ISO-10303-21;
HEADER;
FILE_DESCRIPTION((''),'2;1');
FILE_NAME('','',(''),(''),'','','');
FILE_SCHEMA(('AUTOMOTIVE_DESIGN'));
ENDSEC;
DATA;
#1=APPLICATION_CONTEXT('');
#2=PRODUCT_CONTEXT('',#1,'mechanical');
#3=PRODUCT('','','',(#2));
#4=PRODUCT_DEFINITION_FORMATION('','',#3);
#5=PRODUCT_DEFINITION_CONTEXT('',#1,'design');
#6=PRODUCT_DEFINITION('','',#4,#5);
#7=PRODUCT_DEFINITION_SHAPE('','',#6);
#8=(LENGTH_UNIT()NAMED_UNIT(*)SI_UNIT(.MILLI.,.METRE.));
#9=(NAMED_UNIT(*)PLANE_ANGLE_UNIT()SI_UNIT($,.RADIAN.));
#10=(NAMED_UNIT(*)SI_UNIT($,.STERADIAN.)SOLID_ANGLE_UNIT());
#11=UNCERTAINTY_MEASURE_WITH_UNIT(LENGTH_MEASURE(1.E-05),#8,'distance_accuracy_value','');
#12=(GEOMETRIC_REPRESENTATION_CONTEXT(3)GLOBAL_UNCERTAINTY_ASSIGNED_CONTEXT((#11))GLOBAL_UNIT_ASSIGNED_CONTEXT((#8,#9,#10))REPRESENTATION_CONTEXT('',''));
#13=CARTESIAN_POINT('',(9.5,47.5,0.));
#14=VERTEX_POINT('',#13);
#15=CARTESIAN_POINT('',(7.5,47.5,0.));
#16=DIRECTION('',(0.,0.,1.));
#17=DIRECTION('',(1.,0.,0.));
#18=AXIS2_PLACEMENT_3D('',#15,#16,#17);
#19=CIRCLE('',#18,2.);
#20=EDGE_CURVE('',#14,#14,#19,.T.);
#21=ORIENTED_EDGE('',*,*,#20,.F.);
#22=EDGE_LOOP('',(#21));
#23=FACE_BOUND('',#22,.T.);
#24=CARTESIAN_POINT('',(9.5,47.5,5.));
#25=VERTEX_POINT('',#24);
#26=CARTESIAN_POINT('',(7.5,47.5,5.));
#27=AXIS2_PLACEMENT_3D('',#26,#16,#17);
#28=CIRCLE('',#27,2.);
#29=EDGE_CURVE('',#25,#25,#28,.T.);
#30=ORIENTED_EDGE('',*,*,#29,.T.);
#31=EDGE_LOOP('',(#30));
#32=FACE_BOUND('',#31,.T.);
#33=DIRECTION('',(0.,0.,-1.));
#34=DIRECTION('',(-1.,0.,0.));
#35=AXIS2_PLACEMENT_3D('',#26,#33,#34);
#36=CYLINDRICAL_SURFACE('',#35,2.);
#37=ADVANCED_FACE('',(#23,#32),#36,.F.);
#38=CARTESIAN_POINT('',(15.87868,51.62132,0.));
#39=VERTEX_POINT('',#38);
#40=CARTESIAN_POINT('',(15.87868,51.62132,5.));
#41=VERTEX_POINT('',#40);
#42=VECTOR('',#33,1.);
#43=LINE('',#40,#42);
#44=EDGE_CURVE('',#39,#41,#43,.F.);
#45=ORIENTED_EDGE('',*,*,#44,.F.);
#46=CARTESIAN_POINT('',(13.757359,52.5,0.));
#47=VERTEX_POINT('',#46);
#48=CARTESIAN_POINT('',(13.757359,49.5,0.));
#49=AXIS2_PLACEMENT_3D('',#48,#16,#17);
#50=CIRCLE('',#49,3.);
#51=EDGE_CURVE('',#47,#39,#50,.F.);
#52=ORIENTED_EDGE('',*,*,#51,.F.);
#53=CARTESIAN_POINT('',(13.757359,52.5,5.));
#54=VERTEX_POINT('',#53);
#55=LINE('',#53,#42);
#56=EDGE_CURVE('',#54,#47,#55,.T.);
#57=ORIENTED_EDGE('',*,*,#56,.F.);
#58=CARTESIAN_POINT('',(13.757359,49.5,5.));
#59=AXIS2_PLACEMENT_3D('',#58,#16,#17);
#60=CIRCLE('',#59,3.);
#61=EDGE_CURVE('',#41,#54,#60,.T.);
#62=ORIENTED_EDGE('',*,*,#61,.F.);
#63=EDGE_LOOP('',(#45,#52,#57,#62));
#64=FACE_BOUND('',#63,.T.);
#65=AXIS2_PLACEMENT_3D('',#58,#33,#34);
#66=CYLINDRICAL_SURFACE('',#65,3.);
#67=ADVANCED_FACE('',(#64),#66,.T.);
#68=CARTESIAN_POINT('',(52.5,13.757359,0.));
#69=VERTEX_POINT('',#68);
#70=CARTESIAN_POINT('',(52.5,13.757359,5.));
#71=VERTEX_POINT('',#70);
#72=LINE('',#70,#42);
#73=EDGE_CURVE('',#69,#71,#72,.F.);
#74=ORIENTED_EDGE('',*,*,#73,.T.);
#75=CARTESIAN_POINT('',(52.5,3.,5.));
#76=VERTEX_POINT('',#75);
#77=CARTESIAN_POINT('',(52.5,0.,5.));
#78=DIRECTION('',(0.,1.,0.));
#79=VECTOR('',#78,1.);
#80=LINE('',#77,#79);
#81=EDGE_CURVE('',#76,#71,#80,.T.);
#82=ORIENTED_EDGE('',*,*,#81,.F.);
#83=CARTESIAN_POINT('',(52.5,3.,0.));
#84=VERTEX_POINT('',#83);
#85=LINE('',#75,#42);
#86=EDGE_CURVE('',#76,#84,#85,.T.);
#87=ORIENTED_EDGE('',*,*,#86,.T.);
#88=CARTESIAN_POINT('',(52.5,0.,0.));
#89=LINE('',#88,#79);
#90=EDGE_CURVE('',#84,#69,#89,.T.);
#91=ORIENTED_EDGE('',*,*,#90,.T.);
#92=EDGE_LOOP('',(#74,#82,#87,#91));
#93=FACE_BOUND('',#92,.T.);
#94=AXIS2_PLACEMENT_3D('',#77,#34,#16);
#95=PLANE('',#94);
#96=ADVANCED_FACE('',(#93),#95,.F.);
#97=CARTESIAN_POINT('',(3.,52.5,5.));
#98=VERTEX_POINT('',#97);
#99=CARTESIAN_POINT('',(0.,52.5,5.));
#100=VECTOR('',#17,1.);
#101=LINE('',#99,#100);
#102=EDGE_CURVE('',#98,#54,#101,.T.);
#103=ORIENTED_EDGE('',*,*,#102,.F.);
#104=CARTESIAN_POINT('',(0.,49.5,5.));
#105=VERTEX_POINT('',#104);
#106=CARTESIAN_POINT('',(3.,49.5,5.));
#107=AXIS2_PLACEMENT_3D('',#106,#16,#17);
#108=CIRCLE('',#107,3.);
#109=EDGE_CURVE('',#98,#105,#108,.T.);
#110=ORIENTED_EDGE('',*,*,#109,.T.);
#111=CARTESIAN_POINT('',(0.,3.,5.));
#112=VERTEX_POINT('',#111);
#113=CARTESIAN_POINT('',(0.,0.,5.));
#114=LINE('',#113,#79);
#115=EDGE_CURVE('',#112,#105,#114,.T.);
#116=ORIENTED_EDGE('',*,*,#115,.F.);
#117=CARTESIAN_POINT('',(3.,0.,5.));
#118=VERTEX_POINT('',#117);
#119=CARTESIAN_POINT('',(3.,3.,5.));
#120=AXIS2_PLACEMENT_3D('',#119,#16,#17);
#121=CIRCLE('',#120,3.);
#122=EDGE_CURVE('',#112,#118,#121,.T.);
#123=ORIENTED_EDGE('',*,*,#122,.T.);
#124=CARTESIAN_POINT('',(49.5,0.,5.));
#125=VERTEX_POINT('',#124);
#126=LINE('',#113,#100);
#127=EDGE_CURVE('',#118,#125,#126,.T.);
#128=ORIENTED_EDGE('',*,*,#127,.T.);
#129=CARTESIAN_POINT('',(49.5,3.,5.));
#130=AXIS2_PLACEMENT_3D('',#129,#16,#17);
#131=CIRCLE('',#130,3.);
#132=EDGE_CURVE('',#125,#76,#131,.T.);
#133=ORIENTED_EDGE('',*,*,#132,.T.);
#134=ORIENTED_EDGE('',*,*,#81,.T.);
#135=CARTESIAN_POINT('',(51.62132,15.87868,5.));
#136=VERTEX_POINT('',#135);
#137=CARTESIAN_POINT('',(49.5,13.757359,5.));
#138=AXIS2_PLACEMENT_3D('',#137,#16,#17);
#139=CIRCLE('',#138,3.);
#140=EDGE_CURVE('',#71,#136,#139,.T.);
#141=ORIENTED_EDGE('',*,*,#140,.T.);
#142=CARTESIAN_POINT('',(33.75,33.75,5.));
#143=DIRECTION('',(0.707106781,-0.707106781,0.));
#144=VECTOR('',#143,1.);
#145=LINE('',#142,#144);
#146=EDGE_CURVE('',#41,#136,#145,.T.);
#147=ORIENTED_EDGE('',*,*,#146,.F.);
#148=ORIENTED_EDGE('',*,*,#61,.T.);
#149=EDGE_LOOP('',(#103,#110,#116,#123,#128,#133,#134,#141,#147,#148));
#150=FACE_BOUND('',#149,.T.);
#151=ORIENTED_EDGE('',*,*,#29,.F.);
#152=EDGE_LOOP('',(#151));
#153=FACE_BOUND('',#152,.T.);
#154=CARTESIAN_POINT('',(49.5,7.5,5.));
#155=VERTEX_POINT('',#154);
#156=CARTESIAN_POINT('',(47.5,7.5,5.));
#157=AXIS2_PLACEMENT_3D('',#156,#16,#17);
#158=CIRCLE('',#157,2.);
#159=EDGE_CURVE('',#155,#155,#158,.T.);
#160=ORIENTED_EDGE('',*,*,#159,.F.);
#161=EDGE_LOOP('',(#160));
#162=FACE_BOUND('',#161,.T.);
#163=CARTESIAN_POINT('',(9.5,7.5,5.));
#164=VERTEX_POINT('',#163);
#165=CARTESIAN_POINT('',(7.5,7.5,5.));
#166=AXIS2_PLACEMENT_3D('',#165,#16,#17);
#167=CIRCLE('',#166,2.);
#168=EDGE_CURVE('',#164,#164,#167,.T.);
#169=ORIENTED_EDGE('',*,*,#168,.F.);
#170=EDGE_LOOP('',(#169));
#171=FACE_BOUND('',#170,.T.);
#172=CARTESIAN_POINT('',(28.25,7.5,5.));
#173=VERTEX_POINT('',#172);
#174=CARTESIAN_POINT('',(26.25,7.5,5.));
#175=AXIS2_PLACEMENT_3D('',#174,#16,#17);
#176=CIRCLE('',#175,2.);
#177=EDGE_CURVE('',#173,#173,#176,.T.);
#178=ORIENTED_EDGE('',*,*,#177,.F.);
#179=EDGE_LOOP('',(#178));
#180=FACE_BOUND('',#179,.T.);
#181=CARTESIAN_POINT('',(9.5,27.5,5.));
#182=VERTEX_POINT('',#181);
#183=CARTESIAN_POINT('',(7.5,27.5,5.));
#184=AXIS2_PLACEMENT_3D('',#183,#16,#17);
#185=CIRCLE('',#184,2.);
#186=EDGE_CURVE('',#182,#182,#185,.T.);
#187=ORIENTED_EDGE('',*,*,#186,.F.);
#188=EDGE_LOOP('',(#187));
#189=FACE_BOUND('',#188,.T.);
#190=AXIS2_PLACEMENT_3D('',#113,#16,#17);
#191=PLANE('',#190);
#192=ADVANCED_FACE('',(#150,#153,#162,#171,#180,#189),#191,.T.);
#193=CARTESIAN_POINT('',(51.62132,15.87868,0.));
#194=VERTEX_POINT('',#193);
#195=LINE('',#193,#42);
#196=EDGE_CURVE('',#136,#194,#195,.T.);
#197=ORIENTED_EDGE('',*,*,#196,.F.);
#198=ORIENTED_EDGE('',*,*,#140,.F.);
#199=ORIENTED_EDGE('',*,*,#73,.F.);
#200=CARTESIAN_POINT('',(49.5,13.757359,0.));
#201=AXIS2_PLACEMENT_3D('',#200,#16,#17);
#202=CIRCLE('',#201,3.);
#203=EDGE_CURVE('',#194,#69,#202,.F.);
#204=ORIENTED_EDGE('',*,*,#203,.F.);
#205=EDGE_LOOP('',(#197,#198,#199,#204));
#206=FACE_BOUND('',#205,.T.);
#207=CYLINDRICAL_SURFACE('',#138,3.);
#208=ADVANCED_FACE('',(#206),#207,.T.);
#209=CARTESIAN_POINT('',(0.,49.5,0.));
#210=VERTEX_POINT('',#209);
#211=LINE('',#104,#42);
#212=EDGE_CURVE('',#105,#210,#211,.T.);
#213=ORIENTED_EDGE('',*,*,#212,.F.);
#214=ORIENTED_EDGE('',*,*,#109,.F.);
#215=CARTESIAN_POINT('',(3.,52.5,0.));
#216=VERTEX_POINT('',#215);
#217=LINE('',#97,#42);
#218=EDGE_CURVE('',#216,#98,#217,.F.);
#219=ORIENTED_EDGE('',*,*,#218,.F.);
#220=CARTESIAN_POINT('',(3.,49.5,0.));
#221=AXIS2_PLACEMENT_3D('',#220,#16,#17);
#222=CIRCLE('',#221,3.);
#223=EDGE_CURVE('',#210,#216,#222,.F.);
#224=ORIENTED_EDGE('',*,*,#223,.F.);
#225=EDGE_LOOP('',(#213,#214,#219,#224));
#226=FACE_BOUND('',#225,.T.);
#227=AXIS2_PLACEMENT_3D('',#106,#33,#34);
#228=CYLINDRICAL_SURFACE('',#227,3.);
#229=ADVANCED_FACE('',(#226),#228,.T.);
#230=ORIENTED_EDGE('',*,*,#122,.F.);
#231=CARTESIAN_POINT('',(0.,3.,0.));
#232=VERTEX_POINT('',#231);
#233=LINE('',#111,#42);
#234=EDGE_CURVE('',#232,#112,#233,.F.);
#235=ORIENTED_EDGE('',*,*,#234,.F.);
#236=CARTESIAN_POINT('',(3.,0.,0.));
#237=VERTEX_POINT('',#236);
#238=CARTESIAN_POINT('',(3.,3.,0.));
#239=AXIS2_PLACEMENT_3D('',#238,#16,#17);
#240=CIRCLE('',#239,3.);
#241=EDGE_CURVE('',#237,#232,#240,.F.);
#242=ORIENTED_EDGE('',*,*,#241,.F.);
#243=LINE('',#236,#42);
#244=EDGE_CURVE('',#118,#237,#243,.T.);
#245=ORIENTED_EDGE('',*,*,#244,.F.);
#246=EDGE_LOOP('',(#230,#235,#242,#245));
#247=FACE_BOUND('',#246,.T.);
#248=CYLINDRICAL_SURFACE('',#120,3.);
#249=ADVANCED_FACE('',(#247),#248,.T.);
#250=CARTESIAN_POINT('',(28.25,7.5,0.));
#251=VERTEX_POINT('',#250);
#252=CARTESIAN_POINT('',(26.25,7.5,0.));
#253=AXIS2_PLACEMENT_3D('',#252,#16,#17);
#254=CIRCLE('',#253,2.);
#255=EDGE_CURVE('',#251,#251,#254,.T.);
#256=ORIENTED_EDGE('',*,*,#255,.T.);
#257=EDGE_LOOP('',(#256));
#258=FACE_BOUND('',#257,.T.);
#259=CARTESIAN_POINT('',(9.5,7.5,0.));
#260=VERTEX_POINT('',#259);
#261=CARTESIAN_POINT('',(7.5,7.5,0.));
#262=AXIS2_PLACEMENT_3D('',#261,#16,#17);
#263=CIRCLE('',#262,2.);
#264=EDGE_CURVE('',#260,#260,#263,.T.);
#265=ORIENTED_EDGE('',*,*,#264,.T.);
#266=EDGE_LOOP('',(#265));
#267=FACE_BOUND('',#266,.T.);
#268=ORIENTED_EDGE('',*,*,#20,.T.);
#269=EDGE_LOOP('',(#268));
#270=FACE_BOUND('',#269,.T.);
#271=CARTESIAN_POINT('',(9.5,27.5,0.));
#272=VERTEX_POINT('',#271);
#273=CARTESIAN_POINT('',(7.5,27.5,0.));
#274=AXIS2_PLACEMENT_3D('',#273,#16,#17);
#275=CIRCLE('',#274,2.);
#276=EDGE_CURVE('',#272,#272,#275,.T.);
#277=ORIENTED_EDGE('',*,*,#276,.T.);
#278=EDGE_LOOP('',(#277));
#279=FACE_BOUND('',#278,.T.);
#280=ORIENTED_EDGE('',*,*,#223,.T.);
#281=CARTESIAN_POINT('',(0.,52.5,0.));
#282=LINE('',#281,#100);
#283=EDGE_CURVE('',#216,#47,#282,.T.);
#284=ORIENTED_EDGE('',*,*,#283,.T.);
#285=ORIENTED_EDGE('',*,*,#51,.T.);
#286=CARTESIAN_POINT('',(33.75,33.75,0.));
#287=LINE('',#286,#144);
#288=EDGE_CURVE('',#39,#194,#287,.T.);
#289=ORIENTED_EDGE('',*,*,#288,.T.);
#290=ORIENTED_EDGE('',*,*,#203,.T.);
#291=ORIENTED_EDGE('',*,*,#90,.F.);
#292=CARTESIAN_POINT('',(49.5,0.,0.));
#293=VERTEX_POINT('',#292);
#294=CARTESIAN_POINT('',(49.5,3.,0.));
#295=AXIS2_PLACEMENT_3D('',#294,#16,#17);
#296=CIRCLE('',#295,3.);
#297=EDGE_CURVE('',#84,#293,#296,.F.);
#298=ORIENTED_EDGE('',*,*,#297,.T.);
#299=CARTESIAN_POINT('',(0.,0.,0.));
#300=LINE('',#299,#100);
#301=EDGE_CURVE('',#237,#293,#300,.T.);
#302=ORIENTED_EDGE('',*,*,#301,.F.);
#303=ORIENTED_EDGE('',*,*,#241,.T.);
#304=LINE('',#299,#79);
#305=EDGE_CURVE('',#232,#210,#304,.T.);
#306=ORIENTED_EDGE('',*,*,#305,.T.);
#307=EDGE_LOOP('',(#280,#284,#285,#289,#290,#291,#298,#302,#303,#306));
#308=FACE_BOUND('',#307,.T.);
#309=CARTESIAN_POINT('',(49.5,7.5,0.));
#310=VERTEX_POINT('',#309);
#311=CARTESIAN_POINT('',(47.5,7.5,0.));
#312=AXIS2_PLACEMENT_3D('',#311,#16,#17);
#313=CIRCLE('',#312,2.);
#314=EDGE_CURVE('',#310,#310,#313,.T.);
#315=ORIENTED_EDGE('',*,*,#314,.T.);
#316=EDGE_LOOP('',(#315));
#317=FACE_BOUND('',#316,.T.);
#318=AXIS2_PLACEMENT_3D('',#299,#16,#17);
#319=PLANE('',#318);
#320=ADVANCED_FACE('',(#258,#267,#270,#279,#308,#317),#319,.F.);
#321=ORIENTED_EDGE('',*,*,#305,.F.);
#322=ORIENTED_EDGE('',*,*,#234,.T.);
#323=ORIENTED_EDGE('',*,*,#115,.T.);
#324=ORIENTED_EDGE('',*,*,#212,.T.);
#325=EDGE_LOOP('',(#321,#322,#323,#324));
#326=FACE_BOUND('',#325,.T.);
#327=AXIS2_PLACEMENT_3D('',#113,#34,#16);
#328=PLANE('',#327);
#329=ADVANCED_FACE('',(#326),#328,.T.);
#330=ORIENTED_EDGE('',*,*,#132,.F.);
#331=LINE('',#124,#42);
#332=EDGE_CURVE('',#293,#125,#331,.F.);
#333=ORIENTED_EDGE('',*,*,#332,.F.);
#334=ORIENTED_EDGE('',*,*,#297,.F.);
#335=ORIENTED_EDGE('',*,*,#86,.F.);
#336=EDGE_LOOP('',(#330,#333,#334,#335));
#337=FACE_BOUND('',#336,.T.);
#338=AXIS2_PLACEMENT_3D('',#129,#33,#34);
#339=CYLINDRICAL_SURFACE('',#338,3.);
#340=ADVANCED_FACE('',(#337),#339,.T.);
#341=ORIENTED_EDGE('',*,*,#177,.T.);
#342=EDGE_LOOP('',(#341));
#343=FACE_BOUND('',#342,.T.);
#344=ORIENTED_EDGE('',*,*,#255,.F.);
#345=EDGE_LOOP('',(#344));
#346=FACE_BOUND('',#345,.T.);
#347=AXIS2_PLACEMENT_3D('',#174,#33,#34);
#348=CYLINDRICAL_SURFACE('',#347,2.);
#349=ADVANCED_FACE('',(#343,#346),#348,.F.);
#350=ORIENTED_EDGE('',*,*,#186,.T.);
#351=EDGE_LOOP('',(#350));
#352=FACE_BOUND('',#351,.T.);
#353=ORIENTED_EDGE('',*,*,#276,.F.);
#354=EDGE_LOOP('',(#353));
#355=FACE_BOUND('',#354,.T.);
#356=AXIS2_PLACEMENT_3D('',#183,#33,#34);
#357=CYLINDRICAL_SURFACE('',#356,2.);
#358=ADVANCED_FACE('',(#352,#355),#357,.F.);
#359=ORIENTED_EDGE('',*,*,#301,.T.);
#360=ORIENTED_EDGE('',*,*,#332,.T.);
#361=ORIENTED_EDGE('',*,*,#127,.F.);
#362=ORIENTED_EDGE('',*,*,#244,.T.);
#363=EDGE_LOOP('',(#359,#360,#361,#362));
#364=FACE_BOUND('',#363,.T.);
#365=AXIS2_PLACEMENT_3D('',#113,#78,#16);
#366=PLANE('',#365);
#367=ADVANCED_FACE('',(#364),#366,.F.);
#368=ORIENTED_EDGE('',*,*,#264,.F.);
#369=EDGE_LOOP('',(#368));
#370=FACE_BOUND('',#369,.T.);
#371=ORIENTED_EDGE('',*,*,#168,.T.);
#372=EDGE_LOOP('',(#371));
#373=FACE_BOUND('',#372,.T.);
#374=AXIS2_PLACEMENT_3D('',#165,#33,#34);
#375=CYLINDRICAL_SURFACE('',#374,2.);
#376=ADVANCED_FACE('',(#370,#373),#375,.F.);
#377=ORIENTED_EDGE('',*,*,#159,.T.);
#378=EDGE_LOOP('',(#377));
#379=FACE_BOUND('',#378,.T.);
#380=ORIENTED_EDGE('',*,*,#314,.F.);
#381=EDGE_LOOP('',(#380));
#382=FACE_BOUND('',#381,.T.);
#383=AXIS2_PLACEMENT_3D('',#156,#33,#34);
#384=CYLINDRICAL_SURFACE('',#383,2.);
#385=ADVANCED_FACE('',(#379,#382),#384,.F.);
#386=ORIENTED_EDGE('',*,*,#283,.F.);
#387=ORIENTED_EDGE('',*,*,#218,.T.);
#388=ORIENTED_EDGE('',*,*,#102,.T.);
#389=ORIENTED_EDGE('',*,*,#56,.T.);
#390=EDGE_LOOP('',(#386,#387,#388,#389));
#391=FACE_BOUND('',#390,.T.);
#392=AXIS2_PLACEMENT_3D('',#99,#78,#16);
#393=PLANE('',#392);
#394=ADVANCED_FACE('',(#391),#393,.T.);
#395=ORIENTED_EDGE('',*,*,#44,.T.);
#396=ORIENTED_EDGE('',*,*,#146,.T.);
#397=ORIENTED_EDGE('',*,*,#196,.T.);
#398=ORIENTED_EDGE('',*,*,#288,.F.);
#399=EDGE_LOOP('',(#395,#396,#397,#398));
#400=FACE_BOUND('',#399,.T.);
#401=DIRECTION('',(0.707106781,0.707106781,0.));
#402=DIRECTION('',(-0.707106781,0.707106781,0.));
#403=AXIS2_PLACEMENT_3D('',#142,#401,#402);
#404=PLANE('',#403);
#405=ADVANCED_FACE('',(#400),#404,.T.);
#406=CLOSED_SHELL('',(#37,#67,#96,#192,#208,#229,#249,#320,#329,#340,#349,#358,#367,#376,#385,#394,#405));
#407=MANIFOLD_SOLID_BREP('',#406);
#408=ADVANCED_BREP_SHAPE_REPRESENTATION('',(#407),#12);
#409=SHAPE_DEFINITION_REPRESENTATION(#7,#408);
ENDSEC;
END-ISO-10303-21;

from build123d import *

# Parameters (mm, degrees)
SKETCH_1_R      = 2
EXTRUDE_1_DEPTH = 5
FILLET_1_R      = 3


with BuildPart() as part:
    # ｽｹｯﾁ1 → ﾎﾞｽ - 押し出し1 (new body)
    with BuildSketch(Plane.XY):
        Polygon((52.5, 15), (15, 52.5), (0, 52.5), (0, 0), (52.5, 0), align=None)
        with Locations((7.5, 7.5)):
            Circle(SKETCH_1_R, mode=Mode.SUBTRACT)
        with Locations((26.25, 7.5)):
            Circle(SKETCH_1_R, mode=Mode.SUBTRACT)
        with Locations((47.5, 7.5)):
            Circle(SKETCH_1_R, mode=Mode.SUBTRACT)
        with Locations((7.5, 27.5)):
            Circle(SKETCH_1_R, mode=Mode.SUBTRACT)
        with Locations((7.5, 47.5)):
            Circle(SKETCH_1_R, mode=Mode.SUBTRACT)
    extrude(amount=EXTRUDE_1_DEPTH)

    # ﾌｨﾚｯﾄ1
    fillet_1_edges = [part.edges().sort_by_distance(p)[0] for p in [
        (0, 0, 2.5),
        (0, 52.5, 2.5),
        (15, 52.5, 2.5),
        (52.5, 15, 2.5),
        (52.5, 0, 2.5),
    ]]
    fillet(fillet_1_edges, radius=FILLET_1_R)


solid = part.part
